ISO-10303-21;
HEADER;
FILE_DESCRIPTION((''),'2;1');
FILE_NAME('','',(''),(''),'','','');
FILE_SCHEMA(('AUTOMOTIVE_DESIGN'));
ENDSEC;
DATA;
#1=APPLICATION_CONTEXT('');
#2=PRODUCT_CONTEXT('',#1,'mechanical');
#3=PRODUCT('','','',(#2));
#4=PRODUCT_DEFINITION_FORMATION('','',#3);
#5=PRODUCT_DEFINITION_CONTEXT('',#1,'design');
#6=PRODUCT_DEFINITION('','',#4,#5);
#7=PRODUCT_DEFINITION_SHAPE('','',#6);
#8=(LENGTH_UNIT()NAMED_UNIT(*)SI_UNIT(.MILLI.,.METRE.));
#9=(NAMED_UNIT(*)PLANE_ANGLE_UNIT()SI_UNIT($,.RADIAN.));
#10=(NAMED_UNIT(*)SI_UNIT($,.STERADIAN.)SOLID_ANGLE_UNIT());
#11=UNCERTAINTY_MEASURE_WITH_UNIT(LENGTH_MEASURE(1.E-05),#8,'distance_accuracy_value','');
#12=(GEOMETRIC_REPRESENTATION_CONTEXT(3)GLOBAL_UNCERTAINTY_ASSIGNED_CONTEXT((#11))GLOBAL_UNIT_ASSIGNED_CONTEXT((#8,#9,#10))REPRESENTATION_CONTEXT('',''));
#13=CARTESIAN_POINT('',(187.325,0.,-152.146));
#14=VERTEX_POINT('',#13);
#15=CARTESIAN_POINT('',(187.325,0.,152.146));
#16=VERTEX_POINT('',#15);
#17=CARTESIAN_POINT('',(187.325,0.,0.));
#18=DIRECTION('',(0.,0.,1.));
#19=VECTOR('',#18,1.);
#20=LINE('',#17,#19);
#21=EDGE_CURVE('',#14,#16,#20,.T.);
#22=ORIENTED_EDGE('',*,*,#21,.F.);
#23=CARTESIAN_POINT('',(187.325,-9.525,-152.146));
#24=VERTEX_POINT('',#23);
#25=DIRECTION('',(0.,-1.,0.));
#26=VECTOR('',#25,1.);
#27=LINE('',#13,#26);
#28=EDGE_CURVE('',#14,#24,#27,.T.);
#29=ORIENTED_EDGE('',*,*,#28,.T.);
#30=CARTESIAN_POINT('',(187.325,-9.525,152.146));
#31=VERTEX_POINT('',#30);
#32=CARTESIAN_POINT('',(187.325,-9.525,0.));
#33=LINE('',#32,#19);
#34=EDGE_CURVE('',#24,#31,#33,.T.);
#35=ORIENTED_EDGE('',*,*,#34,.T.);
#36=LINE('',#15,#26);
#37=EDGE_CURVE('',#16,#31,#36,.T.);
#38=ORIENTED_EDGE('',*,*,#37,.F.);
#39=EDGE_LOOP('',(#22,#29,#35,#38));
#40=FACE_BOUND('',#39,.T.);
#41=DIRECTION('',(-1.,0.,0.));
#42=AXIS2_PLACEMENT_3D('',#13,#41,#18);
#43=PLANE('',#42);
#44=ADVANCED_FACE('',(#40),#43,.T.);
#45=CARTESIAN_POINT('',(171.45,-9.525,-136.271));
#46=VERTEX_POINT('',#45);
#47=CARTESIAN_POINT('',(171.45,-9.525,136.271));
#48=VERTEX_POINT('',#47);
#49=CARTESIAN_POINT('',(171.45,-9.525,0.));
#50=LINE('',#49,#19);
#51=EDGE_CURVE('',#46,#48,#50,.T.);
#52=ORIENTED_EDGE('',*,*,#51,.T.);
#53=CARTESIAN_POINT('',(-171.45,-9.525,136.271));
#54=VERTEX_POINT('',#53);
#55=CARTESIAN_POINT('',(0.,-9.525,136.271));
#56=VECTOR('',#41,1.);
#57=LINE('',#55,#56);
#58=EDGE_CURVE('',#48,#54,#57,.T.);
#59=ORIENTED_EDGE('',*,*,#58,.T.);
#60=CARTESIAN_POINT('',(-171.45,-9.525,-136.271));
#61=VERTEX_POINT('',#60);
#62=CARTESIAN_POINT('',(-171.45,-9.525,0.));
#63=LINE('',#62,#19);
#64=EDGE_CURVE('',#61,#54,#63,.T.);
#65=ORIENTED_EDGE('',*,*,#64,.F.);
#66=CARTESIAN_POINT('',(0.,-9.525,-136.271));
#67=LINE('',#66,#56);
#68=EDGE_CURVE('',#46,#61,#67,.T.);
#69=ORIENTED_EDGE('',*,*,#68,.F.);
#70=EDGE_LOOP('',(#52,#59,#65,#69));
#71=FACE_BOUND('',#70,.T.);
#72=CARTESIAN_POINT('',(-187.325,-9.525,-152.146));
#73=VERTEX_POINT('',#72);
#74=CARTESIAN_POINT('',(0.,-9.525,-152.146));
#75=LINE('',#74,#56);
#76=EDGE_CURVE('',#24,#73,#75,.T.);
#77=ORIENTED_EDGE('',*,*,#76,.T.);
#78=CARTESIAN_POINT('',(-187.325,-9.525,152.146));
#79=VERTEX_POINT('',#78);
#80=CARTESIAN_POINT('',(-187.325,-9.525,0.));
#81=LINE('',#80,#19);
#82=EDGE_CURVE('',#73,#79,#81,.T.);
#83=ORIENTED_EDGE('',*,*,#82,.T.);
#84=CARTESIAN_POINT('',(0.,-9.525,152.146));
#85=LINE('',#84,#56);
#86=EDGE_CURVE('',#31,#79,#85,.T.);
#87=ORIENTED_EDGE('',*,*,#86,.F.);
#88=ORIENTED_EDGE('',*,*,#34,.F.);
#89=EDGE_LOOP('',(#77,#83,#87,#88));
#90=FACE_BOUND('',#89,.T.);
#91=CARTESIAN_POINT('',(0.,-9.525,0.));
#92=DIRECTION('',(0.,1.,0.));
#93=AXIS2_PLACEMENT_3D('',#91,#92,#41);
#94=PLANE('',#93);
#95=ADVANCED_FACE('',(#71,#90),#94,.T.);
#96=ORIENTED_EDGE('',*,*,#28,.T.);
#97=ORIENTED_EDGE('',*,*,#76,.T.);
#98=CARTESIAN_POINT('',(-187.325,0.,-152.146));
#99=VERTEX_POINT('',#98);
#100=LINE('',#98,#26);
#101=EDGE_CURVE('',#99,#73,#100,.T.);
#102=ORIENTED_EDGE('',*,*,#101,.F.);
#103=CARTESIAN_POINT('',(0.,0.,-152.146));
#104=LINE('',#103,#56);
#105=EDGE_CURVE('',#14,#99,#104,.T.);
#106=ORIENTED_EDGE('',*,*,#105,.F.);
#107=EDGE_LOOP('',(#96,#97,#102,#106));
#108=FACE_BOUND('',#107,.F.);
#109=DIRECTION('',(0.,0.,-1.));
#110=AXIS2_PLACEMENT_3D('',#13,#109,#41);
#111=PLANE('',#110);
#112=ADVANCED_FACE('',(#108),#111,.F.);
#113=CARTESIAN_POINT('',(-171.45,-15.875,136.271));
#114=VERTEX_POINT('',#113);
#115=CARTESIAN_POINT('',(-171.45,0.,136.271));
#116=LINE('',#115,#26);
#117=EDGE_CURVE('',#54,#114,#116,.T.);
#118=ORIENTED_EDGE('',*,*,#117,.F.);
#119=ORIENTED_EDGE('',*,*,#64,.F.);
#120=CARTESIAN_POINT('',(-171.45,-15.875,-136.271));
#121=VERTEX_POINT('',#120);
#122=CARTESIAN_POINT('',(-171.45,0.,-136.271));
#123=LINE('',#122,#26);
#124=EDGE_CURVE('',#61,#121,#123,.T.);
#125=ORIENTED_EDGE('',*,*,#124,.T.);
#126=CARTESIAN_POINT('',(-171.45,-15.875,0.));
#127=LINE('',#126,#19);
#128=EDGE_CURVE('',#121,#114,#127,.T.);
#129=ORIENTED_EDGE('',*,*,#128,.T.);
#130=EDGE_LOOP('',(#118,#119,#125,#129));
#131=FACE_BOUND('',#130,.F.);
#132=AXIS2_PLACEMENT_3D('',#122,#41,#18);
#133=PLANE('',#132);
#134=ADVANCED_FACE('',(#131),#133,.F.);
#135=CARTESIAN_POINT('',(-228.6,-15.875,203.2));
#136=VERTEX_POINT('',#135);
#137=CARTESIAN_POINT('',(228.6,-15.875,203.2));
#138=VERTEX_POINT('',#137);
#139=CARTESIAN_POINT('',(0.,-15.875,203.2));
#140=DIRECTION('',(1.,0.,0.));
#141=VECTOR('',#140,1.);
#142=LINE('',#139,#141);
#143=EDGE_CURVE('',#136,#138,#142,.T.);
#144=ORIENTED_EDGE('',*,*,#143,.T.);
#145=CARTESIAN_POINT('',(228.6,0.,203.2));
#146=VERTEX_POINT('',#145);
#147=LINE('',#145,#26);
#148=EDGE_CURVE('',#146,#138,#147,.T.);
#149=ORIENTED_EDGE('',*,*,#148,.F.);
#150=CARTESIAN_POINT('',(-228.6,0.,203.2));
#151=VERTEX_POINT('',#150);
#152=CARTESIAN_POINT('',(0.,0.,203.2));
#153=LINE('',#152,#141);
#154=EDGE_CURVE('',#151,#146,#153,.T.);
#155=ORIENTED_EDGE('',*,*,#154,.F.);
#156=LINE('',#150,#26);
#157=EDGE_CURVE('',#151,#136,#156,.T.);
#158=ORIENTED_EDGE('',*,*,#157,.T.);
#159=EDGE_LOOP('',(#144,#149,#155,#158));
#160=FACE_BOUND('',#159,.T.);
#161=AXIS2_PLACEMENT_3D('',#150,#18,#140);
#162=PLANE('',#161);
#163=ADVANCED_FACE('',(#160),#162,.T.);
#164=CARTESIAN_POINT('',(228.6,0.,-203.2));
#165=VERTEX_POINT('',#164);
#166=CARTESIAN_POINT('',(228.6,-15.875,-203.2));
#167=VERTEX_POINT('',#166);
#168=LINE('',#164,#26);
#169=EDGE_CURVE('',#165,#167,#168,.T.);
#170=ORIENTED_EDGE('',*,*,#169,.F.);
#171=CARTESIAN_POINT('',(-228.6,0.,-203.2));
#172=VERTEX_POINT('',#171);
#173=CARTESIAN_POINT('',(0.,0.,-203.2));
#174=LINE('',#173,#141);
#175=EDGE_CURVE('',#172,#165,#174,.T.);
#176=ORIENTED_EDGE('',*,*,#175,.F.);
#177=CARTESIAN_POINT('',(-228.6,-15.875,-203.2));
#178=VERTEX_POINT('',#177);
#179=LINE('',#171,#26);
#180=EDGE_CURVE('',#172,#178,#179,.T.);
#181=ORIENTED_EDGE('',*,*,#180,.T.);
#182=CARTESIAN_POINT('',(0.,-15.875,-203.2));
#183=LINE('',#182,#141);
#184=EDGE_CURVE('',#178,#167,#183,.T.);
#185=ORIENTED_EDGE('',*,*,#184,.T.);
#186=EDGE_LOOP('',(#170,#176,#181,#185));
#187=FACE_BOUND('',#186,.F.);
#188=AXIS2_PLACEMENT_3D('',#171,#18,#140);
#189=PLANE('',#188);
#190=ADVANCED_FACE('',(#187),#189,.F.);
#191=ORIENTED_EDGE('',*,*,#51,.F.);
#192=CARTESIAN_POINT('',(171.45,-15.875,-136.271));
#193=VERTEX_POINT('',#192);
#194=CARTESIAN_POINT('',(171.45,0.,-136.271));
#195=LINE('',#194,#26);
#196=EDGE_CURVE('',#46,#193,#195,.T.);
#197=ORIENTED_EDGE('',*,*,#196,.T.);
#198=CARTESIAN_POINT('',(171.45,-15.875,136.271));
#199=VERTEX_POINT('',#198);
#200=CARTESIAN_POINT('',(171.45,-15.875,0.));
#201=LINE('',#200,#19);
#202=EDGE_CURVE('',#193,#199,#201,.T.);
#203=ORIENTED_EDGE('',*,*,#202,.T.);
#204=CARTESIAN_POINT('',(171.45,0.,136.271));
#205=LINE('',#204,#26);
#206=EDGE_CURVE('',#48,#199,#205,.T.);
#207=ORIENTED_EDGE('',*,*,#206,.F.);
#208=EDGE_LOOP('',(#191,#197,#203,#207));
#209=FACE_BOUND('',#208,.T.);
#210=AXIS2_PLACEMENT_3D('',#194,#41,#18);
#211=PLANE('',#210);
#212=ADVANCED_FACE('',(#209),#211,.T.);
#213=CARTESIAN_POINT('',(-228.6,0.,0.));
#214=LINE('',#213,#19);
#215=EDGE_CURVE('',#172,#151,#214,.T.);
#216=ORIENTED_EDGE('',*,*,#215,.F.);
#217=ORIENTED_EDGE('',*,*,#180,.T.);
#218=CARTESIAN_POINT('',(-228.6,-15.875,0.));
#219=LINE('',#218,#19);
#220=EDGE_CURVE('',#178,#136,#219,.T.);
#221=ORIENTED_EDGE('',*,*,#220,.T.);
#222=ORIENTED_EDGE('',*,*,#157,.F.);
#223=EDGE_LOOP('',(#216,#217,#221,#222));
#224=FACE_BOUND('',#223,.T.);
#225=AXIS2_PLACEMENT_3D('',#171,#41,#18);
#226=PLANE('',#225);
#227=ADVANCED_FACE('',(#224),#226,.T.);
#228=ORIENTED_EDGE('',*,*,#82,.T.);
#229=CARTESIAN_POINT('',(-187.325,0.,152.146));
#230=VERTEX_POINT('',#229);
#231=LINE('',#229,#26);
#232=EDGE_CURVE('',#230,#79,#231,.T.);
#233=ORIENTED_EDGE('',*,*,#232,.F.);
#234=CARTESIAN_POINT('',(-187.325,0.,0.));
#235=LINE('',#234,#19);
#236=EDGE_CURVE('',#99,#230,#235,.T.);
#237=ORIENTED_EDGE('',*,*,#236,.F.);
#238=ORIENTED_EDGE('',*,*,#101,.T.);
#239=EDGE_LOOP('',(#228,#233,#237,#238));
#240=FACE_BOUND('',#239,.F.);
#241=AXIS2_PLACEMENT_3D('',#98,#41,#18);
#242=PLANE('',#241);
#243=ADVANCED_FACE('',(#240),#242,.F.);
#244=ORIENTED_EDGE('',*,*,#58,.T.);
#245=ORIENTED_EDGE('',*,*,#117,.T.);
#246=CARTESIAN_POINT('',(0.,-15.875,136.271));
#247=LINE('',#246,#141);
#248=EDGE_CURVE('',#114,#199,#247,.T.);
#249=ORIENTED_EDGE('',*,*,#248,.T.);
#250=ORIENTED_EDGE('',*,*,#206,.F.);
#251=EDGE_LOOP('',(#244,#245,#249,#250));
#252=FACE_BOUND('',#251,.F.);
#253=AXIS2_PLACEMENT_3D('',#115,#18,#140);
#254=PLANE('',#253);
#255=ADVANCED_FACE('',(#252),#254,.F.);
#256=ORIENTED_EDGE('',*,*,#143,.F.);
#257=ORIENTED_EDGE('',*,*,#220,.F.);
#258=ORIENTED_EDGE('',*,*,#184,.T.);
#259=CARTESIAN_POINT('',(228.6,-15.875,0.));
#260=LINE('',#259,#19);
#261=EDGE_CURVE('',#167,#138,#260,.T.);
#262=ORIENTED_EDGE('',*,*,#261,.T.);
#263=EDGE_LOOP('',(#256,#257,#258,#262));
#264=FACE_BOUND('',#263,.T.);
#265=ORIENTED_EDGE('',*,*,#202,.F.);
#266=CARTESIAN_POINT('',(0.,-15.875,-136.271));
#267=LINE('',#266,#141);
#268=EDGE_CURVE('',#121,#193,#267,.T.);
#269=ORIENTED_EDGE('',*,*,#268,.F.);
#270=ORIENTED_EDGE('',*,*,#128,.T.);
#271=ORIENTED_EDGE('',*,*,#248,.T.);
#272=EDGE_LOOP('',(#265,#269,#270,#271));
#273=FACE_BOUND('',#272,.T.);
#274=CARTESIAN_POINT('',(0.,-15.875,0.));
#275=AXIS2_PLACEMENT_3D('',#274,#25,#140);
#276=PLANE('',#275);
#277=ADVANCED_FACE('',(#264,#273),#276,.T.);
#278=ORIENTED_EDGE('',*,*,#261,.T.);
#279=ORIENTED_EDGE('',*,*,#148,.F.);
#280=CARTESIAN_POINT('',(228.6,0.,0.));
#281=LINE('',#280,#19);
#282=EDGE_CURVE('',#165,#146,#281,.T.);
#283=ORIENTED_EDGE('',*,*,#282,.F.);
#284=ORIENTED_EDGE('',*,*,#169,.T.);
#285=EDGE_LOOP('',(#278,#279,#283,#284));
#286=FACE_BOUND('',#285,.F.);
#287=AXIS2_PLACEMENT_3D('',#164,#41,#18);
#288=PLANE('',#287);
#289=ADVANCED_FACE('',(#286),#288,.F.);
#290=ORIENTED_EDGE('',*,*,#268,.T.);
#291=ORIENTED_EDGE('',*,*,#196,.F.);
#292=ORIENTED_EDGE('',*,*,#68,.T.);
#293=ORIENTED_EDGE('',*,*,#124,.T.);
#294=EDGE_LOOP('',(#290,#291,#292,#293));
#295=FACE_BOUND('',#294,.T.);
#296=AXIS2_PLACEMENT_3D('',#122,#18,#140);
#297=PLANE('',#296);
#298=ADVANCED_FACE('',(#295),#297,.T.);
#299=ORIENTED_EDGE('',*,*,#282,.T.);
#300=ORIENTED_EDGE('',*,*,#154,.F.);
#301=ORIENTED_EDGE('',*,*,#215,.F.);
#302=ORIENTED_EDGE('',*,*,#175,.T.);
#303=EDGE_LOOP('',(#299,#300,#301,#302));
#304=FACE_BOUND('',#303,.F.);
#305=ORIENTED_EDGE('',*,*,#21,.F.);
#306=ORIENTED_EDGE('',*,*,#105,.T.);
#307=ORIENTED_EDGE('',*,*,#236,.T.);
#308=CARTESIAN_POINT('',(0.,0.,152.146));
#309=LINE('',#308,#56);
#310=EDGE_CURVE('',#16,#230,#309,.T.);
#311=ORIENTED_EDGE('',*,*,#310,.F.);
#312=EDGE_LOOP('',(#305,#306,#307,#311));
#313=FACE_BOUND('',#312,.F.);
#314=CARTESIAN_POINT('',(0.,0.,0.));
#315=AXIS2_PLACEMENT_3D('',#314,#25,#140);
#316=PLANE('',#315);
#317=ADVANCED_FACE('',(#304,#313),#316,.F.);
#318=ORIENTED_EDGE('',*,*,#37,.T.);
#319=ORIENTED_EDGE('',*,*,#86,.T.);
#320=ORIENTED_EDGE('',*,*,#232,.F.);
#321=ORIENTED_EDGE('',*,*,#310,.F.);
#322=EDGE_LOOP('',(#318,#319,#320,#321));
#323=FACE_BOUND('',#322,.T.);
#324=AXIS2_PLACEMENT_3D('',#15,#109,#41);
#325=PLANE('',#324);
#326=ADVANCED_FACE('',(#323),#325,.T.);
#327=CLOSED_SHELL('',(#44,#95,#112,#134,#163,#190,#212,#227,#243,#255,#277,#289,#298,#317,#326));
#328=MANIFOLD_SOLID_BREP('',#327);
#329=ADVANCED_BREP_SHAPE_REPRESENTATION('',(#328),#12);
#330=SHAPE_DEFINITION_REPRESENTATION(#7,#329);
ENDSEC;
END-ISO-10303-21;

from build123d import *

# Parameters (mm, degrees)
F0_W     = 457.2
F0_H     = 406.4
F0_W_2   = 342.9
F0_H_2   = 272.542
F1_DEPTH = 15.875
F2_W     = 374.65
F2_H     = 304.292
F2_W_2   = 342.9
F2_H_2   = 272.542
F3_DEPTH = 9.525


with BuildPart() as f1:
    # F0 (on Front) → F1 (new body)
    with BuildSketch(Plane.XZ):
        Rectangle(F0_W, F0_H)
        Rectangle(F0_W_2, F0_H_2, mode=Mode.SUBTRACT)
    extrude(amount=F1_DEPTH)

    # F2 (on face) → F3 (cut)
    with BuildSketch(Plane(origin=(0, 0, 0), x_dir=(-1, 0, 0), z_dir=(0, 1, 0))):
        Rectangle(F2_W, F2_H)
        Rectangle(F2_W_2, F2_H_2, mode=Mode.SUBTRACT)
    extrude(amount=-F3_DEPTH, mode=Mode.SUBTRACT)


solid = f1.part
